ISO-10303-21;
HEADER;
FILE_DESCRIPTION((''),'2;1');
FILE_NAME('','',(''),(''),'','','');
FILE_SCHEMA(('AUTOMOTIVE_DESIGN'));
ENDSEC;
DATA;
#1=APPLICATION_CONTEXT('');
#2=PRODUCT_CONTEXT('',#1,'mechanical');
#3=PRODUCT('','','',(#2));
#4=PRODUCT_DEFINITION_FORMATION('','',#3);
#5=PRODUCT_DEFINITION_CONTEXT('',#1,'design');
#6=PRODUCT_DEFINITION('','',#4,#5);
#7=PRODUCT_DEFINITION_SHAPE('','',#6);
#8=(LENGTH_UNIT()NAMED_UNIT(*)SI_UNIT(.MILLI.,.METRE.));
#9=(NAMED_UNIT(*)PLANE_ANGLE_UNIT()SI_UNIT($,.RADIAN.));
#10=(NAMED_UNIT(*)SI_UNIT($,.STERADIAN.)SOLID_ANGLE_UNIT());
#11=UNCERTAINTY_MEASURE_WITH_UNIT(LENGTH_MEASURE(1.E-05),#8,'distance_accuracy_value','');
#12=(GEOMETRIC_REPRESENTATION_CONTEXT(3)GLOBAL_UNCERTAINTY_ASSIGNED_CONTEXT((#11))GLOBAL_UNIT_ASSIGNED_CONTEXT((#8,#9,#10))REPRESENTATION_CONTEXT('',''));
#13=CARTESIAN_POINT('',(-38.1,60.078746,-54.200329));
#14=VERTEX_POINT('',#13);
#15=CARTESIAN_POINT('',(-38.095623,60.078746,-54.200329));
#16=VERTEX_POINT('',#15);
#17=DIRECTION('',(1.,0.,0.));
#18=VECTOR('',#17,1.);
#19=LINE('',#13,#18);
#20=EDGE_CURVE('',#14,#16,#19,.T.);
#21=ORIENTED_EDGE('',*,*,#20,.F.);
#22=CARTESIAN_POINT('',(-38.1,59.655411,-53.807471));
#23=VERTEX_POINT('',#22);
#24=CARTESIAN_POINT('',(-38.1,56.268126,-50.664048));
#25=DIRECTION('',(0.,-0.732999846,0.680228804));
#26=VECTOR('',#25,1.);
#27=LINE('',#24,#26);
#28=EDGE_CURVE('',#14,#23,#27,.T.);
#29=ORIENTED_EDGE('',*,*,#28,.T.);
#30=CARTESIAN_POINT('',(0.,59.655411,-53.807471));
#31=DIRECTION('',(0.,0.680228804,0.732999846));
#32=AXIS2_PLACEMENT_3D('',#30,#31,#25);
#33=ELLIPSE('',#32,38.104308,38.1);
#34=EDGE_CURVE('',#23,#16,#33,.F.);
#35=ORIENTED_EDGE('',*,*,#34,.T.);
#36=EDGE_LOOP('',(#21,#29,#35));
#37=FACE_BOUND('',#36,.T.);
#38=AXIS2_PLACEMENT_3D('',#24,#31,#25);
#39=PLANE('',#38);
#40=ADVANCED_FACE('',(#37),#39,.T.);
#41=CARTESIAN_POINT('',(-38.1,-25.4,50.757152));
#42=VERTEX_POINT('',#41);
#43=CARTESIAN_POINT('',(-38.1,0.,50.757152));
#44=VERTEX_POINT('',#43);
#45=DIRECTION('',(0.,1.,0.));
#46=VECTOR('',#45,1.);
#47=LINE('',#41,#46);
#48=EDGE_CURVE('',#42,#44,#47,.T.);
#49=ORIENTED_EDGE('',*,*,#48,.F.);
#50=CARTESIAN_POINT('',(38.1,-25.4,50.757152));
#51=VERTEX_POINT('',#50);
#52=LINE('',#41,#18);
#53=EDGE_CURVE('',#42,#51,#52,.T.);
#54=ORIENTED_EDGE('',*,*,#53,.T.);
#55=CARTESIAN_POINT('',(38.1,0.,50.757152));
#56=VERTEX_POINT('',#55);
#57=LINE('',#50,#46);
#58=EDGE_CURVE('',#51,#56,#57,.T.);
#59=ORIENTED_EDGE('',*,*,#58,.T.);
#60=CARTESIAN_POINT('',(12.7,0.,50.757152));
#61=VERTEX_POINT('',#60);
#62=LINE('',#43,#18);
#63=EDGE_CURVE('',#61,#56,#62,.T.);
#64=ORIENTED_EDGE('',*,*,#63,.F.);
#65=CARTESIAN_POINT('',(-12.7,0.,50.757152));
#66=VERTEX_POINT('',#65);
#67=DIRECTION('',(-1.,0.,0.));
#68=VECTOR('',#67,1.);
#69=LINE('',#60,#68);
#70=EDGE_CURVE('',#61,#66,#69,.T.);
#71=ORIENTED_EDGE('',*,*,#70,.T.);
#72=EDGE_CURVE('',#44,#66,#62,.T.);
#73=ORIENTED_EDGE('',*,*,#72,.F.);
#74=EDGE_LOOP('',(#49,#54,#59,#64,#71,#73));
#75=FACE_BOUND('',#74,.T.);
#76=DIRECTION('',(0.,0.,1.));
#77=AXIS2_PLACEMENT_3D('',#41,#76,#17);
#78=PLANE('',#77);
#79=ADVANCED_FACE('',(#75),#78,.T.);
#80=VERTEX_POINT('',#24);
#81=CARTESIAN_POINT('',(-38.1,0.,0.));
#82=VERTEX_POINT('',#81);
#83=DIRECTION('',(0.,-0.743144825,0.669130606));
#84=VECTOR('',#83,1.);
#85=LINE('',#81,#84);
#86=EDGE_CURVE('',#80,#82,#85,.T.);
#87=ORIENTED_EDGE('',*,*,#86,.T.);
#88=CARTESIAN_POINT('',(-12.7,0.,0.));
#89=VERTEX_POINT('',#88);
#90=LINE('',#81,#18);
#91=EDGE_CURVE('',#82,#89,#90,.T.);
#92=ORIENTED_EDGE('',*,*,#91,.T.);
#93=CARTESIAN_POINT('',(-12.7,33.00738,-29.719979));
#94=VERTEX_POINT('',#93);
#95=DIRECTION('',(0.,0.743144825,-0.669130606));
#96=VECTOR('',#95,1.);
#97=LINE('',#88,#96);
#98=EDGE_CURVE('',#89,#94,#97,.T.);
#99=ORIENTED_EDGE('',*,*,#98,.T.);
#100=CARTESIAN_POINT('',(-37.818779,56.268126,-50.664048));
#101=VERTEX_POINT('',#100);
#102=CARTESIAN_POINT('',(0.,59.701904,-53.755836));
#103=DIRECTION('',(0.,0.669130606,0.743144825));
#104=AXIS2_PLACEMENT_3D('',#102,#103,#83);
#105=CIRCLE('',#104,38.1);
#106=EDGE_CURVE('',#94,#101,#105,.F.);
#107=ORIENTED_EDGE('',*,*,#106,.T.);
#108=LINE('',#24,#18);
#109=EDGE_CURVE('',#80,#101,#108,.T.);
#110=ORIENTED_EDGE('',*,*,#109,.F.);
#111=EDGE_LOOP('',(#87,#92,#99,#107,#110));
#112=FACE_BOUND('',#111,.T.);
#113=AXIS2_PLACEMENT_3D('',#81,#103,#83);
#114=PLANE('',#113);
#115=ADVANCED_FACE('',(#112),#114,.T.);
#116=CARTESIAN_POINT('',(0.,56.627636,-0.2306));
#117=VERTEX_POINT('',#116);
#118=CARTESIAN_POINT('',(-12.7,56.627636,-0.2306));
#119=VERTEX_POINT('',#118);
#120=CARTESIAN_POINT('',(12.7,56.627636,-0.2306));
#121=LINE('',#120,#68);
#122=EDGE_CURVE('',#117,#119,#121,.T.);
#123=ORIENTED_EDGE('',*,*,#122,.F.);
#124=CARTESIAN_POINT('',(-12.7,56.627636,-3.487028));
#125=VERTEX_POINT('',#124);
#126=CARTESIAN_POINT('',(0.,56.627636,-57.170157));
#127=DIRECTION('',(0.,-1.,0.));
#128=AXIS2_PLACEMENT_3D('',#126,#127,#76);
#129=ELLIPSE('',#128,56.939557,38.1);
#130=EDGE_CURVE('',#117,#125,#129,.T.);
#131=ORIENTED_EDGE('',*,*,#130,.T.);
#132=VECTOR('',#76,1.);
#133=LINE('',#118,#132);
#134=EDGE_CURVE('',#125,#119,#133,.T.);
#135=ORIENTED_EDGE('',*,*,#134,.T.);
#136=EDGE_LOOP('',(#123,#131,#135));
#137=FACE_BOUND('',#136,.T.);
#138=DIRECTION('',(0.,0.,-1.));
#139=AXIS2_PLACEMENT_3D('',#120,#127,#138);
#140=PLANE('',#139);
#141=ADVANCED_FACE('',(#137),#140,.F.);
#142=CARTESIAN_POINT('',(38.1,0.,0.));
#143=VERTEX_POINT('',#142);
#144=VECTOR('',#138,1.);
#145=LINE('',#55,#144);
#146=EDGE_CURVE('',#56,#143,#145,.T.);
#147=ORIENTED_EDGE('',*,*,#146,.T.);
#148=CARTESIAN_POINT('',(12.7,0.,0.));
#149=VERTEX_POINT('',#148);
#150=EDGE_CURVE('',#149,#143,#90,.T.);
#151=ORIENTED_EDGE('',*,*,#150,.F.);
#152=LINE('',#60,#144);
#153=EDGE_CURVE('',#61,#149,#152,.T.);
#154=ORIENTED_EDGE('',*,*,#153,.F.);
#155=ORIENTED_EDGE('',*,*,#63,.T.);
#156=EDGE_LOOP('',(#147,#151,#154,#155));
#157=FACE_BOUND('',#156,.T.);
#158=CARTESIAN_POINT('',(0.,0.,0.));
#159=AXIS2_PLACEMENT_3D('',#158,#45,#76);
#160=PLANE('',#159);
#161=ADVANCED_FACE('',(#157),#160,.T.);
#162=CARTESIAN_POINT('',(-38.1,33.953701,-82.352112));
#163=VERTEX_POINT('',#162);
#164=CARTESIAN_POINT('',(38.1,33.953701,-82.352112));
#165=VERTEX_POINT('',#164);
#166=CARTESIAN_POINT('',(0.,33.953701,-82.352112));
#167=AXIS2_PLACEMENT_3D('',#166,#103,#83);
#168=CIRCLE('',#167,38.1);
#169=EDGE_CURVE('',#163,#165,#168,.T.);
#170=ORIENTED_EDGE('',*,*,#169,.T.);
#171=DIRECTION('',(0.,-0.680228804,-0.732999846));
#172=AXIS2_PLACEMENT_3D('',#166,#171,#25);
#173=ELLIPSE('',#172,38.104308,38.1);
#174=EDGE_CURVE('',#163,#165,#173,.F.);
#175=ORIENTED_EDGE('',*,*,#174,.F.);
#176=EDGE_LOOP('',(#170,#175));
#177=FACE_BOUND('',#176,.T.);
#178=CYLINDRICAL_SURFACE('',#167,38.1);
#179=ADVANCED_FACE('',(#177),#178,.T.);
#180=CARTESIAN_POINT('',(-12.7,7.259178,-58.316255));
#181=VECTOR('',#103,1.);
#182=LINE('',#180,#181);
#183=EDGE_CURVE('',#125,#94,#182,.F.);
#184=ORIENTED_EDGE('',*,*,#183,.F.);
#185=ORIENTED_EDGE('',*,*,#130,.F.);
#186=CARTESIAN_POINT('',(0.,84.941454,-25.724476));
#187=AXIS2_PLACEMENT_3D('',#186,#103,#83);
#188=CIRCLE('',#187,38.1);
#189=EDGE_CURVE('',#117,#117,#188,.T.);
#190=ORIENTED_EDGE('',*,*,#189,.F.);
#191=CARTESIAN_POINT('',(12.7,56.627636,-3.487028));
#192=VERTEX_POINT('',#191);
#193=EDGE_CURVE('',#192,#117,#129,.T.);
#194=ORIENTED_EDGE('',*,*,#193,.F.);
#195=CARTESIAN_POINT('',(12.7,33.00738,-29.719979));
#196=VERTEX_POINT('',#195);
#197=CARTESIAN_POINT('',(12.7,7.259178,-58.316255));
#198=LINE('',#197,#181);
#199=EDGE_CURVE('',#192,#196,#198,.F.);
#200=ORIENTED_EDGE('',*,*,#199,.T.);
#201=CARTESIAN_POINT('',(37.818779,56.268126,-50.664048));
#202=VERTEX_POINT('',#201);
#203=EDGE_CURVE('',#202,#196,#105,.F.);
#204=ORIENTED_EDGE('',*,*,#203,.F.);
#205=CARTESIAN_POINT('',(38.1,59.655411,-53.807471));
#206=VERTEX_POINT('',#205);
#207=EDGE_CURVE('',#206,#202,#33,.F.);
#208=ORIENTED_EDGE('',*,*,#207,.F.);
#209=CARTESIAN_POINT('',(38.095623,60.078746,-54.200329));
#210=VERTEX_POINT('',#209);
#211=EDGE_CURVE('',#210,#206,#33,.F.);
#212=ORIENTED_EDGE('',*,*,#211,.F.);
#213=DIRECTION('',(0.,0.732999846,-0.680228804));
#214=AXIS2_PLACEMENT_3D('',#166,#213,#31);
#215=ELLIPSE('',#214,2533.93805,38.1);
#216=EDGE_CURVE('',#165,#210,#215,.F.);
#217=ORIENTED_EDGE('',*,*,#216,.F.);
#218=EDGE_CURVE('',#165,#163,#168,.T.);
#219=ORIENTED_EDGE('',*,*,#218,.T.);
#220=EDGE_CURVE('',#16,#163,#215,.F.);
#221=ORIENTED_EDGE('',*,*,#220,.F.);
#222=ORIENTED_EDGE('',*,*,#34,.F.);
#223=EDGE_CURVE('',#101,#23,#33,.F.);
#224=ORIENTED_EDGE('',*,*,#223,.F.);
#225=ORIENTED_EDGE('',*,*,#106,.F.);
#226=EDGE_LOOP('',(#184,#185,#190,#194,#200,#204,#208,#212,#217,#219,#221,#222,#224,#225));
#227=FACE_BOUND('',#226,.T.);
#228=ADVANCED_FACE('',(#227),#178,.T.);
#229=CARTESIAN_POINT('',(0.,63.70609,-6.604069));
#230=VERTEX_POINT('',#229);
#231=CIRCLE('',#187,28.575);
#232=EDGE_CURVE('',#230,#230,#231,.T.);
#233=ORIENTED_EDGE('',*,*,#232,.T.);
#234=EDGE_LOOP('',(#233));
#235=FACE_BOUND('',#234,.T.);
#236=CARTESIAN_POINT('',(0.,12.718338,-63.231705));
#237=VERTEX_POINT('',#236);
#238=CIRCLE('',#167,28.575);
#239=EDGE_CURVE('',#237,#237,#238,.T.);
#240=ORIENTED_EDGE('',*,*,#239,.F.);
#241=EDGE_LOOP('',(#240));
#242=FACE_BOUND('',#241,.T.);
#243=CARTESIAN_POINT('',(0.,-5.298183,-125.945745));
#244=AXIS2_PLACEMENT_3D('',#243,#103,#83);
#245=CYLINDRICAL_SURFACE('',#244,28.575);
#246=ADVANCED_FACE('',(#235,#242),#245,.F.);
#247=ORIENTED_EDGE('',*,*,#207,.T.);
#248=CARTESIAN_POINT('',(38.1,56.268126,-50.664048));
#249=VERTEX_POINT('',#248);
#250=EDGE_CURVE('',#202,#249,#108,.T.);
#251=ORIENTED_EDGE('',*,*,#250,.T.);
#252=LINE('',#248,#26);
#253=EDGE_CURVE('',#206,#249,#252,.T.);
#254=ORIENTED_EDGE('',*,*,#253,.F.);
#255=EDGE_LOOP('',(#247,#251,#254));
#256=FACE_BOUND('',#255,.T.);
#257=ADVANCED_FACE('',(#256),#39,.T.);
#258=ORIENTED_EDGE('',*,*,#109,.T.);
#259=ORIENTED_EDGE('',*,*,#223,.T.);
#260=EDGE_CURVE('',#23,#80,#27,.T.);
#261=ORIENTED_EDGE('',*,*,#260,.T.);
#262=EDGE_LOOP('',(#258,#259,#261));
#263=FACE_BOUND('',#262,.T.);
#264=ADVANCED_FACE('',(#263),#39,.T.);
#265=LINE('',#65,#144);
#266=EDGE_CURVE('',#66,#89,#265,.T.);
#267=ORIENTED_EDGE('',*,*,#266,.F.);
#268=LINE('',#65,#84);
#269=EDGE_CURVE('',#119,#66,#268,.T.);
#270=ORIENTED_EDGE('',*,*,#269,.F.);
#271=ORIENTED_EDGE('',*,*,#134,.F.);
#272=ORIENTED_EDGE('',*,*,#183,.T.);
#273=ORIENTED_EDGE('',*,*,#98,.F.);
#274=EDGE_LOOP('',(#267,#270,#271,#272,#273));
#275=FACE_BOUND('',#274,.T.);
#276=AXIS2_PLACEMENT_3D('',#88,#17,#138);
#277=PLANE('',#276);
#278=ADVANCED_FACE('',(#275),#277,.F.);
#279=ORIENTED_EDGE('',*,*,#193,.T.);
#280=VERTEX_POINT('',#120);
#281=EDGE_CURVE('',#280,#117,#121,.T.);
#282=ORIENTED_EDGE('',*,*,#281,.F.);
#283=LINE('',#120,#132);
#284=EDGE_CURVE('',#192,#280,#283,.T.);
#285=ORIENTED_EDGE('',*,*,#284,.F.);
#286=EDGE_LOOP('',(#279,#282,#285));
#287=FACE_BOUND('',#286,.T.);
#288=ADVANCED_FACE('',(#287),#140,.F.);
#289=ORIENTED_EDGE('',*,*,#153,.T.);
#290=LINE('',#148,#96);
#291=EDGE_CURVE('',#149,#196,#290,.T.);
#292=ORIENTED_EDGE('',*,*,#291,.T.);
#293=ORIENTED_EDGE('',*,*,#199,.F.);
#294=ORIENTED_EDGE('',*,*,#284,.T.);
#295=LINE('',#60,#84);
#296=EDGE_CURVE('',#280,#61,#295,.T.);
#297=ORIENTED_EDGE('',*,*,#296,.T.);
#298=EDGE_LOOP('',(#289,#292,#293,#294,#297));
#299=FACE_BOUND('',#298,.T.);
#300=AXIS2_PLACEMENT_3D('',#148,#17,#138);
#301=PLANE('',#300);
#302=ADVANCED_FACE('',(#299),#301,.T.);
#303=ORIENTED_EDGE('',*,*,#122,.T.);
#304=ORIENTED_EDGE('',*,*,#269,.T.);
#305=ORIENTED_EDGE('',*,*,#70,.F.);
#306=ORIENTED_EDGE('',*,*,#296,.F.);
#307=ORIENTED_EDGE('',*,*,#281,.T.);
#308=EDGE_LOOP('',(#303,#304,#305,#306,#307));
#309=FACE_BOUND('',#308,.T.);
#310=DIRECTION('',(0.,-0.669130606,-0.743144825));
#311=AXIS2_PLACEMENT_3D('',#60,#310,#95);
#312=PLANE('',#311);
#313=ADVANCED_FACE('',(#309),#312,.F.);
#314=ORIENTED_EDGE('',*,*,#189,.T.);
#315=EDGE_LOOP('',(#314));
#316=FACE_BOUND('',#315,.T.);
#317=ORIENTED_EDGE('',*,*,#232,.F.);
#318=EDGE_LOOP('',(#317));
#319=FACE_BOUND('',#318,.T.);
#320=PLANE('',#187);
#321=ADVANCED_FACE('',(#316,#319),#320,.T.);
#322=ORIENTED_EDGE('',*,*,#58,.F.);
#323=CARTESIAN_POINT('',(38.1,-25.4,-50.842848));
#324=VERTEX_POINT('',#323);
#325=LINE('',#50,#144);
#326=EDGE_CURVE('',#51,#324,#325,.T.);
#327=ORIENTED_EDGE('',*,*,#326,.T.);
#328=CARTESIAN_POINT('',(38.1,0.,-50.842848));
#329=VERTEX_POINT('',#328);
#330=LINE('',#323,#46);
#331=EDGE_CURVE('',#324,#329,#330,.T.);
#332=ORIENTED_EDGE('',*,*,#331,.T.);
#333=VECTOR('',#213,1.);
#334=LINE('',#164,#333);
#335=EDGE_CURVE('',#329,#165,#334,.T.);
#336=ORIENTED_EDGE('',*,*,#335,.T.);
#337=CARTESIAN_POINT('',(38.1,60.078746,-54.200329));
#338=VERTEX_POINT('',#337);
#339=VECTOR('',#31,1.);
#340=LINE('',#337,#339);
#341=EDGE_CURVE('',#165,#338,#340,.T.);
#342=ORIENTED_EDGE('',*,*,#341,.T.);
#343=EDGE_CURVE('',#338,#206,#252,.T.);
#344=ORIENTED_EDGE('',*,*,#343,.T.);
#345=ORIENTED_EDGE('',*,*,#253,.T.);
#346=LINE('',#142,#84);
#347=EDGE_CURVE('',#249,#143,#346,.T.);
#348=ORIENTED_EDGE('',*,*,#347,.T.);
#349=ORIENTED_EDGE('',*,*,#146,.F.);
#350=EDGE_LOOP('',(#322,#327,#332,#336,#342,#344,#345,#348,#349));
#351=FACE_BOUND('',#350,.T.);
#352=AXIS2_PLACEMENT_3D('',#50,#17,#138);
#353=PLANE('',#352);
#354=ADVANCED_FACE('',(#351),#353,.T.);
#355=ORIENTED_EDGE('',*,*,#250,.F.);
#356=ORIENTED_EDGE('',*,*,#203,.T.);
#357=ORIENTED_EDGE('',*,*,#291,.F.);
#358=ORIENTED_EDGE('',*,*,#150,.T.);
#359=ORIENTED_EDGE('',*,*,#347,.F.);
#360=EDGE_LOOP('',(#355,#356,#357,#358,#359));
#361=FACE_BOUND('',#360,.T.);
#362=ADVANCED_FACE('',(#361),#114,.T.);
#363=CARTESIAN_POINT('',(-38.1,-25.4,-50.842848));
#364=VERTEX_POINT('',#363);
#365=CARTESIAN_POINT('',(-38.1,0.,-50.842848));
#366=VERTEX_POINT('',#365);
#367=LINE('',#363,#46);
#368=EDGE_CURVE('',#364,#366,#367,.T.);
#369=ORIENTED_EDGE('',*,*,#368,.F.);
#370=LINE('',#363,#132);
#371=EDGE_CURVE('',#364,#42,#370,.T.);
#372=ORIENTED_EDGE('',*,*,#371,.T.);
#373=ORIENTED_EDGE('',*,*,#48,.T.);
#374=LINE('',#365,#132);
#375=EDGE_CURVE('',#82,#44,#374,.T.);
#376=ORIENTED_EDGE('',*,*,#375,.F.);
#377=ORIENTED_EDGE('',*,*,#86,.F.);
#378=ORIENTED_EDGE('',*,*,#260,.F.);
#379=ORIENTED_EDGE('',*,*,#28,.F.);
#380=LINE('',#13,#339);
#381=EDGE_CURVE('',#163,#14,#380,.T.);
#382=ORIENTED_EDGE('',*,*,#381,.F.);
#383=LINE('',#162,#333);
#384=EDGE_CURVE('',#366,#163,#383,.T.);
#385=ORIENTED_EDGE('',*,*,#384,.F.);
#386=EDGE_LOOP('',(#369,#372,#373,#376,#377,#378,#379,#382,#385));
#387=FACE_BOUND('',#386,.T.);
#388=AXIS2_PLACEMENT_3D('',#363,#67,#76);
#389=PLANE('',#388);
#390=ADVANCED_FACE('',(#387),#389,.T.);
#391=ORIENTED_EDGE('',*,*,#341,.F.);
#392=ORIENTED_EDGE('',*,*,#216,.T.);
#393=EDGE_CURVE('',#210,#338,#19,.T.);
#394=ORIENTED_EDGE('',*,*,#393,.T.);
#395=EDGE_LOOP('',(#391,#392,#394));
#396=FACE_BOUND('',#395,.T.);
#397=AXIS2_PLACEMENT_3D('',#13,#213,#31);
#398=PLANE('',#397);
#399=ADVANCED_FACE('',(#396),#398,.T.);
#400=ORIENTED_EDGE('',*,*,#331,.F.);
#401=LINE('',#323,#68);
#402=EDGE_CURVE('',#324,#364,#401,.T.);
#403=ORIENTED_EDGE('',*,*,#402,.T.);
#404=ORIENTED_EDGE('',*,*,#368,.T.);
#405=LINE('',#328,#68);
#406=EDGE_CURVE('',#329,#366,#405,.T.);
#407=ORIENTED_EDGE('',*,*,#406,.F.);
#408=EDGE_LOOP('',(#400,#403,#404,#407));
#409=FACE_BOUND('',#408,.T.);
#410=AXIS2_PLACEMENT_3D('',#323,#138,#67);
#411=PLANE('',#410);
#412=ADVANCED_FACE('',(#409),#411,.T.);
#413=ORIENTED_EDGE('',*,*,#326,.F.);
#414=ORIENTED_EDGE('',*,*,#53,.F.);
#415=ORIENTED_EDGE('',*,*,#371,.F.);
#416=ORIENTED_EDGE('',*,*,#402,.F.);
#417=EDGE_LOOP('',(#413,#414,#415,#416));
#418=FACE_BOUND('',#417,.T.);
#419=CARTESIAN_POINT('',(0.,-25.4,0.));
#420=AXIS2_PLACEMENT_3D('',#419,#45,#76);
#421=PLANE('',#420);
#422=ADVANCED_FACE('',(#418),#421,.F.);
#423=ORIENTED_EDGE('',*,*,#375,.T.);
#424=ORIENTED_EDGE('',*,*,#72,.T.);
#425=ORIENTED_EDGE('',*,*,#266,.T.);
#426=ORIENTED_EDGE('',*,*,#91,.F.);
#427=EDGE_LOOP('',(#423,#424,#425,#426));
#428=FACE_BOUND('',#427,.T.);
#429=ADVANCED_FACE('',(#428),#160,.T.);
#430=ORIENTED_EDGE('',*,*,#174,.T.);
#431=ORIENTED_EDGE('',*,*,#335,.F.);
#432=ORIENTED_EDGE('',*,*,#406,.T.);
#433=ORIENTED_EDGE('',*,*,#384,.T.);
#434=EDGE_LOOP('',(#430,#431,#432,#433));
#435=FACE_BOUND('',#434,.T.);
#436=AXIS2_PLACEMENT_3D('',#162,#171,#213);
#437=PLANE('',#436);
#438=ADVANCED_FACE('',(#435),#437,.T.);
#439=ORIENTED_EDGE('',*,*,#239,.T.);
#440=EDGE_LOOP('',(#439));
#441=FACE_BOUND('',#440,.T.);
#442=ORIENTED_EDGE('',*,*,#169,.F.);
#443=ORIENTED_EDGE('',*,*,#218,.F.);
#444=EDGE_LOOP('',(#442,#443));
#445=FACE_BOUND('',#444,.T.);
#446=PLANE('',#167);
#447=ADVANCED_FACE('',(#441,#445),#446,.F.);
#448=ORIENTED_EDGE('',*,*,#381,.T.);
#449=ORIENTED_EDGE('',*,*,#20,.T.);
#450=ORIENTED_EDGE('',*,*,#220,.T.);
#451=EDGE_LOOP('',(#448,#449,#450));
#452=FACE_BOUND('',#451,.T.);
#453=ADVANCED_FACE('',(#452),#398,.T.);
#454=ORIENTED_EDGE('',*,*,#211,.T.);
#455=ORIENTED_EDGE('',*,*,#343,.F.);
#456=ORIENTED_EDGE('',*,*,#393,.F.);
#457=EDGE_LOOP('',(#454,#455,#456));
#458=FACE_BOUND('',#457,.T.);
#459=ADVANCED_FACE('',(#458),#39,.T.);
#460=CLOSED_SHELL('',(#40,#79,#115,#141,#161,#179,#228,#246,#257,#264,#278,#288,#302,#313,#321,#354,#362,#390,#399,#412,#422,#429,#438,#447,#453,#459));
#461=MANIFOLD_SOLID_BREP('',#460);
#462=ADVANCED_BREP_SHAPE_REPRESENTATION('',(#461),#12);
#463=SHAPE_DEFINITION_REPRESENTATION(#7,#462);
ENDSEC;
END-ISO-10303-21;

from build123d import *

# Parameters (mm, degrees)
SKETCH5_W           = 76.2
SKETCH5_H           = 101.6
BOSS_EXTRUDE2_DEPTH = 25.4
BOSS_EXTRUDE3_DEPTH = 12.7
SKETCH8_R           = 38.1
BOSS_EXTRUDE4_DEPTH = 76.2
BOSS_EXTRUDE7_DEPTH = 76.2
SKETCH11_R          = 28.575
CUT_EXTRUDE3_DEPTH  = 135.861020279


with BuildPart() as part:
    # Sketch5 → Boss-Extrude2 (new body)
    with BuildSketch(Plane(origin=(0, 0, 0), x_dir=(1, 0, 0), z_dir=(0, 1, 0))):
        with Locations((0, 0.042847785)):
            Rectangle(SKETCH5_W, SKETCH5_H)
    extrude(amount=-BOSS_EXTRUDE2_DEPTH)

    # Sketch7 → Boss-Extrude3 (add, symmetric)
    with BuildSketch(Plane(origin=(0, 0, 0), x_dir=(0, 0, -1), z_dir=(1, 0, 0))):
        Polygon((-50.757152215, 0), (0.23059999, 56.627635701), (50.987752205, 56.627635701), (0, 0), align=None)
    extrude(amount=BOSS_EXTRUDE3_DEPTH, both=True)

    # Sketch8 → Boss-Extrude4 (add)
    with BuildSketch(Plane(origin=(0, 25.239549612, 28.031359668), x_dir=(1, 0, 0), z_dir=(0, 0.669130606, 0.743144825))):
        with Locations((0, 80.336835961)):
            Circle(SKETCH8_R)
    extrude(amount=-BOSS_EXTRUDE4_DEPTH)

    # Sketch14 → Boss-Extrude7 (add, through all)
    with BuildSketch(Plane(origin=(38.1, 0, 0), x_dir=(0, 0, -1), z_dir=(1, 0, 0))):
        Polygon((82.352111793, 33.953701348), (50.842847785, 0), (0, 0), (50.664048261, 56.26812605), (54.200329047, 60.078745736), align=None)
    extrude(amount=-BOSS_EXTRUDE7_DEPTH)

    # Sketch11 → Cut-Extrude3 (cut, through all)
    with BuildSketch(Plane(origin=(0, 25.239549612, 28.031359668), x_dir=(1, 0, 0), z_dir=(0, 0.669130606, 0.743144825))):
        with Locations((0, 80.336835961)):
            Circle(SKETCH11_R)
    extrude(amount=-CUT_EXTRUDE3_DEPTH, mode=Mode.SUBTRACT)


solid = part.part
